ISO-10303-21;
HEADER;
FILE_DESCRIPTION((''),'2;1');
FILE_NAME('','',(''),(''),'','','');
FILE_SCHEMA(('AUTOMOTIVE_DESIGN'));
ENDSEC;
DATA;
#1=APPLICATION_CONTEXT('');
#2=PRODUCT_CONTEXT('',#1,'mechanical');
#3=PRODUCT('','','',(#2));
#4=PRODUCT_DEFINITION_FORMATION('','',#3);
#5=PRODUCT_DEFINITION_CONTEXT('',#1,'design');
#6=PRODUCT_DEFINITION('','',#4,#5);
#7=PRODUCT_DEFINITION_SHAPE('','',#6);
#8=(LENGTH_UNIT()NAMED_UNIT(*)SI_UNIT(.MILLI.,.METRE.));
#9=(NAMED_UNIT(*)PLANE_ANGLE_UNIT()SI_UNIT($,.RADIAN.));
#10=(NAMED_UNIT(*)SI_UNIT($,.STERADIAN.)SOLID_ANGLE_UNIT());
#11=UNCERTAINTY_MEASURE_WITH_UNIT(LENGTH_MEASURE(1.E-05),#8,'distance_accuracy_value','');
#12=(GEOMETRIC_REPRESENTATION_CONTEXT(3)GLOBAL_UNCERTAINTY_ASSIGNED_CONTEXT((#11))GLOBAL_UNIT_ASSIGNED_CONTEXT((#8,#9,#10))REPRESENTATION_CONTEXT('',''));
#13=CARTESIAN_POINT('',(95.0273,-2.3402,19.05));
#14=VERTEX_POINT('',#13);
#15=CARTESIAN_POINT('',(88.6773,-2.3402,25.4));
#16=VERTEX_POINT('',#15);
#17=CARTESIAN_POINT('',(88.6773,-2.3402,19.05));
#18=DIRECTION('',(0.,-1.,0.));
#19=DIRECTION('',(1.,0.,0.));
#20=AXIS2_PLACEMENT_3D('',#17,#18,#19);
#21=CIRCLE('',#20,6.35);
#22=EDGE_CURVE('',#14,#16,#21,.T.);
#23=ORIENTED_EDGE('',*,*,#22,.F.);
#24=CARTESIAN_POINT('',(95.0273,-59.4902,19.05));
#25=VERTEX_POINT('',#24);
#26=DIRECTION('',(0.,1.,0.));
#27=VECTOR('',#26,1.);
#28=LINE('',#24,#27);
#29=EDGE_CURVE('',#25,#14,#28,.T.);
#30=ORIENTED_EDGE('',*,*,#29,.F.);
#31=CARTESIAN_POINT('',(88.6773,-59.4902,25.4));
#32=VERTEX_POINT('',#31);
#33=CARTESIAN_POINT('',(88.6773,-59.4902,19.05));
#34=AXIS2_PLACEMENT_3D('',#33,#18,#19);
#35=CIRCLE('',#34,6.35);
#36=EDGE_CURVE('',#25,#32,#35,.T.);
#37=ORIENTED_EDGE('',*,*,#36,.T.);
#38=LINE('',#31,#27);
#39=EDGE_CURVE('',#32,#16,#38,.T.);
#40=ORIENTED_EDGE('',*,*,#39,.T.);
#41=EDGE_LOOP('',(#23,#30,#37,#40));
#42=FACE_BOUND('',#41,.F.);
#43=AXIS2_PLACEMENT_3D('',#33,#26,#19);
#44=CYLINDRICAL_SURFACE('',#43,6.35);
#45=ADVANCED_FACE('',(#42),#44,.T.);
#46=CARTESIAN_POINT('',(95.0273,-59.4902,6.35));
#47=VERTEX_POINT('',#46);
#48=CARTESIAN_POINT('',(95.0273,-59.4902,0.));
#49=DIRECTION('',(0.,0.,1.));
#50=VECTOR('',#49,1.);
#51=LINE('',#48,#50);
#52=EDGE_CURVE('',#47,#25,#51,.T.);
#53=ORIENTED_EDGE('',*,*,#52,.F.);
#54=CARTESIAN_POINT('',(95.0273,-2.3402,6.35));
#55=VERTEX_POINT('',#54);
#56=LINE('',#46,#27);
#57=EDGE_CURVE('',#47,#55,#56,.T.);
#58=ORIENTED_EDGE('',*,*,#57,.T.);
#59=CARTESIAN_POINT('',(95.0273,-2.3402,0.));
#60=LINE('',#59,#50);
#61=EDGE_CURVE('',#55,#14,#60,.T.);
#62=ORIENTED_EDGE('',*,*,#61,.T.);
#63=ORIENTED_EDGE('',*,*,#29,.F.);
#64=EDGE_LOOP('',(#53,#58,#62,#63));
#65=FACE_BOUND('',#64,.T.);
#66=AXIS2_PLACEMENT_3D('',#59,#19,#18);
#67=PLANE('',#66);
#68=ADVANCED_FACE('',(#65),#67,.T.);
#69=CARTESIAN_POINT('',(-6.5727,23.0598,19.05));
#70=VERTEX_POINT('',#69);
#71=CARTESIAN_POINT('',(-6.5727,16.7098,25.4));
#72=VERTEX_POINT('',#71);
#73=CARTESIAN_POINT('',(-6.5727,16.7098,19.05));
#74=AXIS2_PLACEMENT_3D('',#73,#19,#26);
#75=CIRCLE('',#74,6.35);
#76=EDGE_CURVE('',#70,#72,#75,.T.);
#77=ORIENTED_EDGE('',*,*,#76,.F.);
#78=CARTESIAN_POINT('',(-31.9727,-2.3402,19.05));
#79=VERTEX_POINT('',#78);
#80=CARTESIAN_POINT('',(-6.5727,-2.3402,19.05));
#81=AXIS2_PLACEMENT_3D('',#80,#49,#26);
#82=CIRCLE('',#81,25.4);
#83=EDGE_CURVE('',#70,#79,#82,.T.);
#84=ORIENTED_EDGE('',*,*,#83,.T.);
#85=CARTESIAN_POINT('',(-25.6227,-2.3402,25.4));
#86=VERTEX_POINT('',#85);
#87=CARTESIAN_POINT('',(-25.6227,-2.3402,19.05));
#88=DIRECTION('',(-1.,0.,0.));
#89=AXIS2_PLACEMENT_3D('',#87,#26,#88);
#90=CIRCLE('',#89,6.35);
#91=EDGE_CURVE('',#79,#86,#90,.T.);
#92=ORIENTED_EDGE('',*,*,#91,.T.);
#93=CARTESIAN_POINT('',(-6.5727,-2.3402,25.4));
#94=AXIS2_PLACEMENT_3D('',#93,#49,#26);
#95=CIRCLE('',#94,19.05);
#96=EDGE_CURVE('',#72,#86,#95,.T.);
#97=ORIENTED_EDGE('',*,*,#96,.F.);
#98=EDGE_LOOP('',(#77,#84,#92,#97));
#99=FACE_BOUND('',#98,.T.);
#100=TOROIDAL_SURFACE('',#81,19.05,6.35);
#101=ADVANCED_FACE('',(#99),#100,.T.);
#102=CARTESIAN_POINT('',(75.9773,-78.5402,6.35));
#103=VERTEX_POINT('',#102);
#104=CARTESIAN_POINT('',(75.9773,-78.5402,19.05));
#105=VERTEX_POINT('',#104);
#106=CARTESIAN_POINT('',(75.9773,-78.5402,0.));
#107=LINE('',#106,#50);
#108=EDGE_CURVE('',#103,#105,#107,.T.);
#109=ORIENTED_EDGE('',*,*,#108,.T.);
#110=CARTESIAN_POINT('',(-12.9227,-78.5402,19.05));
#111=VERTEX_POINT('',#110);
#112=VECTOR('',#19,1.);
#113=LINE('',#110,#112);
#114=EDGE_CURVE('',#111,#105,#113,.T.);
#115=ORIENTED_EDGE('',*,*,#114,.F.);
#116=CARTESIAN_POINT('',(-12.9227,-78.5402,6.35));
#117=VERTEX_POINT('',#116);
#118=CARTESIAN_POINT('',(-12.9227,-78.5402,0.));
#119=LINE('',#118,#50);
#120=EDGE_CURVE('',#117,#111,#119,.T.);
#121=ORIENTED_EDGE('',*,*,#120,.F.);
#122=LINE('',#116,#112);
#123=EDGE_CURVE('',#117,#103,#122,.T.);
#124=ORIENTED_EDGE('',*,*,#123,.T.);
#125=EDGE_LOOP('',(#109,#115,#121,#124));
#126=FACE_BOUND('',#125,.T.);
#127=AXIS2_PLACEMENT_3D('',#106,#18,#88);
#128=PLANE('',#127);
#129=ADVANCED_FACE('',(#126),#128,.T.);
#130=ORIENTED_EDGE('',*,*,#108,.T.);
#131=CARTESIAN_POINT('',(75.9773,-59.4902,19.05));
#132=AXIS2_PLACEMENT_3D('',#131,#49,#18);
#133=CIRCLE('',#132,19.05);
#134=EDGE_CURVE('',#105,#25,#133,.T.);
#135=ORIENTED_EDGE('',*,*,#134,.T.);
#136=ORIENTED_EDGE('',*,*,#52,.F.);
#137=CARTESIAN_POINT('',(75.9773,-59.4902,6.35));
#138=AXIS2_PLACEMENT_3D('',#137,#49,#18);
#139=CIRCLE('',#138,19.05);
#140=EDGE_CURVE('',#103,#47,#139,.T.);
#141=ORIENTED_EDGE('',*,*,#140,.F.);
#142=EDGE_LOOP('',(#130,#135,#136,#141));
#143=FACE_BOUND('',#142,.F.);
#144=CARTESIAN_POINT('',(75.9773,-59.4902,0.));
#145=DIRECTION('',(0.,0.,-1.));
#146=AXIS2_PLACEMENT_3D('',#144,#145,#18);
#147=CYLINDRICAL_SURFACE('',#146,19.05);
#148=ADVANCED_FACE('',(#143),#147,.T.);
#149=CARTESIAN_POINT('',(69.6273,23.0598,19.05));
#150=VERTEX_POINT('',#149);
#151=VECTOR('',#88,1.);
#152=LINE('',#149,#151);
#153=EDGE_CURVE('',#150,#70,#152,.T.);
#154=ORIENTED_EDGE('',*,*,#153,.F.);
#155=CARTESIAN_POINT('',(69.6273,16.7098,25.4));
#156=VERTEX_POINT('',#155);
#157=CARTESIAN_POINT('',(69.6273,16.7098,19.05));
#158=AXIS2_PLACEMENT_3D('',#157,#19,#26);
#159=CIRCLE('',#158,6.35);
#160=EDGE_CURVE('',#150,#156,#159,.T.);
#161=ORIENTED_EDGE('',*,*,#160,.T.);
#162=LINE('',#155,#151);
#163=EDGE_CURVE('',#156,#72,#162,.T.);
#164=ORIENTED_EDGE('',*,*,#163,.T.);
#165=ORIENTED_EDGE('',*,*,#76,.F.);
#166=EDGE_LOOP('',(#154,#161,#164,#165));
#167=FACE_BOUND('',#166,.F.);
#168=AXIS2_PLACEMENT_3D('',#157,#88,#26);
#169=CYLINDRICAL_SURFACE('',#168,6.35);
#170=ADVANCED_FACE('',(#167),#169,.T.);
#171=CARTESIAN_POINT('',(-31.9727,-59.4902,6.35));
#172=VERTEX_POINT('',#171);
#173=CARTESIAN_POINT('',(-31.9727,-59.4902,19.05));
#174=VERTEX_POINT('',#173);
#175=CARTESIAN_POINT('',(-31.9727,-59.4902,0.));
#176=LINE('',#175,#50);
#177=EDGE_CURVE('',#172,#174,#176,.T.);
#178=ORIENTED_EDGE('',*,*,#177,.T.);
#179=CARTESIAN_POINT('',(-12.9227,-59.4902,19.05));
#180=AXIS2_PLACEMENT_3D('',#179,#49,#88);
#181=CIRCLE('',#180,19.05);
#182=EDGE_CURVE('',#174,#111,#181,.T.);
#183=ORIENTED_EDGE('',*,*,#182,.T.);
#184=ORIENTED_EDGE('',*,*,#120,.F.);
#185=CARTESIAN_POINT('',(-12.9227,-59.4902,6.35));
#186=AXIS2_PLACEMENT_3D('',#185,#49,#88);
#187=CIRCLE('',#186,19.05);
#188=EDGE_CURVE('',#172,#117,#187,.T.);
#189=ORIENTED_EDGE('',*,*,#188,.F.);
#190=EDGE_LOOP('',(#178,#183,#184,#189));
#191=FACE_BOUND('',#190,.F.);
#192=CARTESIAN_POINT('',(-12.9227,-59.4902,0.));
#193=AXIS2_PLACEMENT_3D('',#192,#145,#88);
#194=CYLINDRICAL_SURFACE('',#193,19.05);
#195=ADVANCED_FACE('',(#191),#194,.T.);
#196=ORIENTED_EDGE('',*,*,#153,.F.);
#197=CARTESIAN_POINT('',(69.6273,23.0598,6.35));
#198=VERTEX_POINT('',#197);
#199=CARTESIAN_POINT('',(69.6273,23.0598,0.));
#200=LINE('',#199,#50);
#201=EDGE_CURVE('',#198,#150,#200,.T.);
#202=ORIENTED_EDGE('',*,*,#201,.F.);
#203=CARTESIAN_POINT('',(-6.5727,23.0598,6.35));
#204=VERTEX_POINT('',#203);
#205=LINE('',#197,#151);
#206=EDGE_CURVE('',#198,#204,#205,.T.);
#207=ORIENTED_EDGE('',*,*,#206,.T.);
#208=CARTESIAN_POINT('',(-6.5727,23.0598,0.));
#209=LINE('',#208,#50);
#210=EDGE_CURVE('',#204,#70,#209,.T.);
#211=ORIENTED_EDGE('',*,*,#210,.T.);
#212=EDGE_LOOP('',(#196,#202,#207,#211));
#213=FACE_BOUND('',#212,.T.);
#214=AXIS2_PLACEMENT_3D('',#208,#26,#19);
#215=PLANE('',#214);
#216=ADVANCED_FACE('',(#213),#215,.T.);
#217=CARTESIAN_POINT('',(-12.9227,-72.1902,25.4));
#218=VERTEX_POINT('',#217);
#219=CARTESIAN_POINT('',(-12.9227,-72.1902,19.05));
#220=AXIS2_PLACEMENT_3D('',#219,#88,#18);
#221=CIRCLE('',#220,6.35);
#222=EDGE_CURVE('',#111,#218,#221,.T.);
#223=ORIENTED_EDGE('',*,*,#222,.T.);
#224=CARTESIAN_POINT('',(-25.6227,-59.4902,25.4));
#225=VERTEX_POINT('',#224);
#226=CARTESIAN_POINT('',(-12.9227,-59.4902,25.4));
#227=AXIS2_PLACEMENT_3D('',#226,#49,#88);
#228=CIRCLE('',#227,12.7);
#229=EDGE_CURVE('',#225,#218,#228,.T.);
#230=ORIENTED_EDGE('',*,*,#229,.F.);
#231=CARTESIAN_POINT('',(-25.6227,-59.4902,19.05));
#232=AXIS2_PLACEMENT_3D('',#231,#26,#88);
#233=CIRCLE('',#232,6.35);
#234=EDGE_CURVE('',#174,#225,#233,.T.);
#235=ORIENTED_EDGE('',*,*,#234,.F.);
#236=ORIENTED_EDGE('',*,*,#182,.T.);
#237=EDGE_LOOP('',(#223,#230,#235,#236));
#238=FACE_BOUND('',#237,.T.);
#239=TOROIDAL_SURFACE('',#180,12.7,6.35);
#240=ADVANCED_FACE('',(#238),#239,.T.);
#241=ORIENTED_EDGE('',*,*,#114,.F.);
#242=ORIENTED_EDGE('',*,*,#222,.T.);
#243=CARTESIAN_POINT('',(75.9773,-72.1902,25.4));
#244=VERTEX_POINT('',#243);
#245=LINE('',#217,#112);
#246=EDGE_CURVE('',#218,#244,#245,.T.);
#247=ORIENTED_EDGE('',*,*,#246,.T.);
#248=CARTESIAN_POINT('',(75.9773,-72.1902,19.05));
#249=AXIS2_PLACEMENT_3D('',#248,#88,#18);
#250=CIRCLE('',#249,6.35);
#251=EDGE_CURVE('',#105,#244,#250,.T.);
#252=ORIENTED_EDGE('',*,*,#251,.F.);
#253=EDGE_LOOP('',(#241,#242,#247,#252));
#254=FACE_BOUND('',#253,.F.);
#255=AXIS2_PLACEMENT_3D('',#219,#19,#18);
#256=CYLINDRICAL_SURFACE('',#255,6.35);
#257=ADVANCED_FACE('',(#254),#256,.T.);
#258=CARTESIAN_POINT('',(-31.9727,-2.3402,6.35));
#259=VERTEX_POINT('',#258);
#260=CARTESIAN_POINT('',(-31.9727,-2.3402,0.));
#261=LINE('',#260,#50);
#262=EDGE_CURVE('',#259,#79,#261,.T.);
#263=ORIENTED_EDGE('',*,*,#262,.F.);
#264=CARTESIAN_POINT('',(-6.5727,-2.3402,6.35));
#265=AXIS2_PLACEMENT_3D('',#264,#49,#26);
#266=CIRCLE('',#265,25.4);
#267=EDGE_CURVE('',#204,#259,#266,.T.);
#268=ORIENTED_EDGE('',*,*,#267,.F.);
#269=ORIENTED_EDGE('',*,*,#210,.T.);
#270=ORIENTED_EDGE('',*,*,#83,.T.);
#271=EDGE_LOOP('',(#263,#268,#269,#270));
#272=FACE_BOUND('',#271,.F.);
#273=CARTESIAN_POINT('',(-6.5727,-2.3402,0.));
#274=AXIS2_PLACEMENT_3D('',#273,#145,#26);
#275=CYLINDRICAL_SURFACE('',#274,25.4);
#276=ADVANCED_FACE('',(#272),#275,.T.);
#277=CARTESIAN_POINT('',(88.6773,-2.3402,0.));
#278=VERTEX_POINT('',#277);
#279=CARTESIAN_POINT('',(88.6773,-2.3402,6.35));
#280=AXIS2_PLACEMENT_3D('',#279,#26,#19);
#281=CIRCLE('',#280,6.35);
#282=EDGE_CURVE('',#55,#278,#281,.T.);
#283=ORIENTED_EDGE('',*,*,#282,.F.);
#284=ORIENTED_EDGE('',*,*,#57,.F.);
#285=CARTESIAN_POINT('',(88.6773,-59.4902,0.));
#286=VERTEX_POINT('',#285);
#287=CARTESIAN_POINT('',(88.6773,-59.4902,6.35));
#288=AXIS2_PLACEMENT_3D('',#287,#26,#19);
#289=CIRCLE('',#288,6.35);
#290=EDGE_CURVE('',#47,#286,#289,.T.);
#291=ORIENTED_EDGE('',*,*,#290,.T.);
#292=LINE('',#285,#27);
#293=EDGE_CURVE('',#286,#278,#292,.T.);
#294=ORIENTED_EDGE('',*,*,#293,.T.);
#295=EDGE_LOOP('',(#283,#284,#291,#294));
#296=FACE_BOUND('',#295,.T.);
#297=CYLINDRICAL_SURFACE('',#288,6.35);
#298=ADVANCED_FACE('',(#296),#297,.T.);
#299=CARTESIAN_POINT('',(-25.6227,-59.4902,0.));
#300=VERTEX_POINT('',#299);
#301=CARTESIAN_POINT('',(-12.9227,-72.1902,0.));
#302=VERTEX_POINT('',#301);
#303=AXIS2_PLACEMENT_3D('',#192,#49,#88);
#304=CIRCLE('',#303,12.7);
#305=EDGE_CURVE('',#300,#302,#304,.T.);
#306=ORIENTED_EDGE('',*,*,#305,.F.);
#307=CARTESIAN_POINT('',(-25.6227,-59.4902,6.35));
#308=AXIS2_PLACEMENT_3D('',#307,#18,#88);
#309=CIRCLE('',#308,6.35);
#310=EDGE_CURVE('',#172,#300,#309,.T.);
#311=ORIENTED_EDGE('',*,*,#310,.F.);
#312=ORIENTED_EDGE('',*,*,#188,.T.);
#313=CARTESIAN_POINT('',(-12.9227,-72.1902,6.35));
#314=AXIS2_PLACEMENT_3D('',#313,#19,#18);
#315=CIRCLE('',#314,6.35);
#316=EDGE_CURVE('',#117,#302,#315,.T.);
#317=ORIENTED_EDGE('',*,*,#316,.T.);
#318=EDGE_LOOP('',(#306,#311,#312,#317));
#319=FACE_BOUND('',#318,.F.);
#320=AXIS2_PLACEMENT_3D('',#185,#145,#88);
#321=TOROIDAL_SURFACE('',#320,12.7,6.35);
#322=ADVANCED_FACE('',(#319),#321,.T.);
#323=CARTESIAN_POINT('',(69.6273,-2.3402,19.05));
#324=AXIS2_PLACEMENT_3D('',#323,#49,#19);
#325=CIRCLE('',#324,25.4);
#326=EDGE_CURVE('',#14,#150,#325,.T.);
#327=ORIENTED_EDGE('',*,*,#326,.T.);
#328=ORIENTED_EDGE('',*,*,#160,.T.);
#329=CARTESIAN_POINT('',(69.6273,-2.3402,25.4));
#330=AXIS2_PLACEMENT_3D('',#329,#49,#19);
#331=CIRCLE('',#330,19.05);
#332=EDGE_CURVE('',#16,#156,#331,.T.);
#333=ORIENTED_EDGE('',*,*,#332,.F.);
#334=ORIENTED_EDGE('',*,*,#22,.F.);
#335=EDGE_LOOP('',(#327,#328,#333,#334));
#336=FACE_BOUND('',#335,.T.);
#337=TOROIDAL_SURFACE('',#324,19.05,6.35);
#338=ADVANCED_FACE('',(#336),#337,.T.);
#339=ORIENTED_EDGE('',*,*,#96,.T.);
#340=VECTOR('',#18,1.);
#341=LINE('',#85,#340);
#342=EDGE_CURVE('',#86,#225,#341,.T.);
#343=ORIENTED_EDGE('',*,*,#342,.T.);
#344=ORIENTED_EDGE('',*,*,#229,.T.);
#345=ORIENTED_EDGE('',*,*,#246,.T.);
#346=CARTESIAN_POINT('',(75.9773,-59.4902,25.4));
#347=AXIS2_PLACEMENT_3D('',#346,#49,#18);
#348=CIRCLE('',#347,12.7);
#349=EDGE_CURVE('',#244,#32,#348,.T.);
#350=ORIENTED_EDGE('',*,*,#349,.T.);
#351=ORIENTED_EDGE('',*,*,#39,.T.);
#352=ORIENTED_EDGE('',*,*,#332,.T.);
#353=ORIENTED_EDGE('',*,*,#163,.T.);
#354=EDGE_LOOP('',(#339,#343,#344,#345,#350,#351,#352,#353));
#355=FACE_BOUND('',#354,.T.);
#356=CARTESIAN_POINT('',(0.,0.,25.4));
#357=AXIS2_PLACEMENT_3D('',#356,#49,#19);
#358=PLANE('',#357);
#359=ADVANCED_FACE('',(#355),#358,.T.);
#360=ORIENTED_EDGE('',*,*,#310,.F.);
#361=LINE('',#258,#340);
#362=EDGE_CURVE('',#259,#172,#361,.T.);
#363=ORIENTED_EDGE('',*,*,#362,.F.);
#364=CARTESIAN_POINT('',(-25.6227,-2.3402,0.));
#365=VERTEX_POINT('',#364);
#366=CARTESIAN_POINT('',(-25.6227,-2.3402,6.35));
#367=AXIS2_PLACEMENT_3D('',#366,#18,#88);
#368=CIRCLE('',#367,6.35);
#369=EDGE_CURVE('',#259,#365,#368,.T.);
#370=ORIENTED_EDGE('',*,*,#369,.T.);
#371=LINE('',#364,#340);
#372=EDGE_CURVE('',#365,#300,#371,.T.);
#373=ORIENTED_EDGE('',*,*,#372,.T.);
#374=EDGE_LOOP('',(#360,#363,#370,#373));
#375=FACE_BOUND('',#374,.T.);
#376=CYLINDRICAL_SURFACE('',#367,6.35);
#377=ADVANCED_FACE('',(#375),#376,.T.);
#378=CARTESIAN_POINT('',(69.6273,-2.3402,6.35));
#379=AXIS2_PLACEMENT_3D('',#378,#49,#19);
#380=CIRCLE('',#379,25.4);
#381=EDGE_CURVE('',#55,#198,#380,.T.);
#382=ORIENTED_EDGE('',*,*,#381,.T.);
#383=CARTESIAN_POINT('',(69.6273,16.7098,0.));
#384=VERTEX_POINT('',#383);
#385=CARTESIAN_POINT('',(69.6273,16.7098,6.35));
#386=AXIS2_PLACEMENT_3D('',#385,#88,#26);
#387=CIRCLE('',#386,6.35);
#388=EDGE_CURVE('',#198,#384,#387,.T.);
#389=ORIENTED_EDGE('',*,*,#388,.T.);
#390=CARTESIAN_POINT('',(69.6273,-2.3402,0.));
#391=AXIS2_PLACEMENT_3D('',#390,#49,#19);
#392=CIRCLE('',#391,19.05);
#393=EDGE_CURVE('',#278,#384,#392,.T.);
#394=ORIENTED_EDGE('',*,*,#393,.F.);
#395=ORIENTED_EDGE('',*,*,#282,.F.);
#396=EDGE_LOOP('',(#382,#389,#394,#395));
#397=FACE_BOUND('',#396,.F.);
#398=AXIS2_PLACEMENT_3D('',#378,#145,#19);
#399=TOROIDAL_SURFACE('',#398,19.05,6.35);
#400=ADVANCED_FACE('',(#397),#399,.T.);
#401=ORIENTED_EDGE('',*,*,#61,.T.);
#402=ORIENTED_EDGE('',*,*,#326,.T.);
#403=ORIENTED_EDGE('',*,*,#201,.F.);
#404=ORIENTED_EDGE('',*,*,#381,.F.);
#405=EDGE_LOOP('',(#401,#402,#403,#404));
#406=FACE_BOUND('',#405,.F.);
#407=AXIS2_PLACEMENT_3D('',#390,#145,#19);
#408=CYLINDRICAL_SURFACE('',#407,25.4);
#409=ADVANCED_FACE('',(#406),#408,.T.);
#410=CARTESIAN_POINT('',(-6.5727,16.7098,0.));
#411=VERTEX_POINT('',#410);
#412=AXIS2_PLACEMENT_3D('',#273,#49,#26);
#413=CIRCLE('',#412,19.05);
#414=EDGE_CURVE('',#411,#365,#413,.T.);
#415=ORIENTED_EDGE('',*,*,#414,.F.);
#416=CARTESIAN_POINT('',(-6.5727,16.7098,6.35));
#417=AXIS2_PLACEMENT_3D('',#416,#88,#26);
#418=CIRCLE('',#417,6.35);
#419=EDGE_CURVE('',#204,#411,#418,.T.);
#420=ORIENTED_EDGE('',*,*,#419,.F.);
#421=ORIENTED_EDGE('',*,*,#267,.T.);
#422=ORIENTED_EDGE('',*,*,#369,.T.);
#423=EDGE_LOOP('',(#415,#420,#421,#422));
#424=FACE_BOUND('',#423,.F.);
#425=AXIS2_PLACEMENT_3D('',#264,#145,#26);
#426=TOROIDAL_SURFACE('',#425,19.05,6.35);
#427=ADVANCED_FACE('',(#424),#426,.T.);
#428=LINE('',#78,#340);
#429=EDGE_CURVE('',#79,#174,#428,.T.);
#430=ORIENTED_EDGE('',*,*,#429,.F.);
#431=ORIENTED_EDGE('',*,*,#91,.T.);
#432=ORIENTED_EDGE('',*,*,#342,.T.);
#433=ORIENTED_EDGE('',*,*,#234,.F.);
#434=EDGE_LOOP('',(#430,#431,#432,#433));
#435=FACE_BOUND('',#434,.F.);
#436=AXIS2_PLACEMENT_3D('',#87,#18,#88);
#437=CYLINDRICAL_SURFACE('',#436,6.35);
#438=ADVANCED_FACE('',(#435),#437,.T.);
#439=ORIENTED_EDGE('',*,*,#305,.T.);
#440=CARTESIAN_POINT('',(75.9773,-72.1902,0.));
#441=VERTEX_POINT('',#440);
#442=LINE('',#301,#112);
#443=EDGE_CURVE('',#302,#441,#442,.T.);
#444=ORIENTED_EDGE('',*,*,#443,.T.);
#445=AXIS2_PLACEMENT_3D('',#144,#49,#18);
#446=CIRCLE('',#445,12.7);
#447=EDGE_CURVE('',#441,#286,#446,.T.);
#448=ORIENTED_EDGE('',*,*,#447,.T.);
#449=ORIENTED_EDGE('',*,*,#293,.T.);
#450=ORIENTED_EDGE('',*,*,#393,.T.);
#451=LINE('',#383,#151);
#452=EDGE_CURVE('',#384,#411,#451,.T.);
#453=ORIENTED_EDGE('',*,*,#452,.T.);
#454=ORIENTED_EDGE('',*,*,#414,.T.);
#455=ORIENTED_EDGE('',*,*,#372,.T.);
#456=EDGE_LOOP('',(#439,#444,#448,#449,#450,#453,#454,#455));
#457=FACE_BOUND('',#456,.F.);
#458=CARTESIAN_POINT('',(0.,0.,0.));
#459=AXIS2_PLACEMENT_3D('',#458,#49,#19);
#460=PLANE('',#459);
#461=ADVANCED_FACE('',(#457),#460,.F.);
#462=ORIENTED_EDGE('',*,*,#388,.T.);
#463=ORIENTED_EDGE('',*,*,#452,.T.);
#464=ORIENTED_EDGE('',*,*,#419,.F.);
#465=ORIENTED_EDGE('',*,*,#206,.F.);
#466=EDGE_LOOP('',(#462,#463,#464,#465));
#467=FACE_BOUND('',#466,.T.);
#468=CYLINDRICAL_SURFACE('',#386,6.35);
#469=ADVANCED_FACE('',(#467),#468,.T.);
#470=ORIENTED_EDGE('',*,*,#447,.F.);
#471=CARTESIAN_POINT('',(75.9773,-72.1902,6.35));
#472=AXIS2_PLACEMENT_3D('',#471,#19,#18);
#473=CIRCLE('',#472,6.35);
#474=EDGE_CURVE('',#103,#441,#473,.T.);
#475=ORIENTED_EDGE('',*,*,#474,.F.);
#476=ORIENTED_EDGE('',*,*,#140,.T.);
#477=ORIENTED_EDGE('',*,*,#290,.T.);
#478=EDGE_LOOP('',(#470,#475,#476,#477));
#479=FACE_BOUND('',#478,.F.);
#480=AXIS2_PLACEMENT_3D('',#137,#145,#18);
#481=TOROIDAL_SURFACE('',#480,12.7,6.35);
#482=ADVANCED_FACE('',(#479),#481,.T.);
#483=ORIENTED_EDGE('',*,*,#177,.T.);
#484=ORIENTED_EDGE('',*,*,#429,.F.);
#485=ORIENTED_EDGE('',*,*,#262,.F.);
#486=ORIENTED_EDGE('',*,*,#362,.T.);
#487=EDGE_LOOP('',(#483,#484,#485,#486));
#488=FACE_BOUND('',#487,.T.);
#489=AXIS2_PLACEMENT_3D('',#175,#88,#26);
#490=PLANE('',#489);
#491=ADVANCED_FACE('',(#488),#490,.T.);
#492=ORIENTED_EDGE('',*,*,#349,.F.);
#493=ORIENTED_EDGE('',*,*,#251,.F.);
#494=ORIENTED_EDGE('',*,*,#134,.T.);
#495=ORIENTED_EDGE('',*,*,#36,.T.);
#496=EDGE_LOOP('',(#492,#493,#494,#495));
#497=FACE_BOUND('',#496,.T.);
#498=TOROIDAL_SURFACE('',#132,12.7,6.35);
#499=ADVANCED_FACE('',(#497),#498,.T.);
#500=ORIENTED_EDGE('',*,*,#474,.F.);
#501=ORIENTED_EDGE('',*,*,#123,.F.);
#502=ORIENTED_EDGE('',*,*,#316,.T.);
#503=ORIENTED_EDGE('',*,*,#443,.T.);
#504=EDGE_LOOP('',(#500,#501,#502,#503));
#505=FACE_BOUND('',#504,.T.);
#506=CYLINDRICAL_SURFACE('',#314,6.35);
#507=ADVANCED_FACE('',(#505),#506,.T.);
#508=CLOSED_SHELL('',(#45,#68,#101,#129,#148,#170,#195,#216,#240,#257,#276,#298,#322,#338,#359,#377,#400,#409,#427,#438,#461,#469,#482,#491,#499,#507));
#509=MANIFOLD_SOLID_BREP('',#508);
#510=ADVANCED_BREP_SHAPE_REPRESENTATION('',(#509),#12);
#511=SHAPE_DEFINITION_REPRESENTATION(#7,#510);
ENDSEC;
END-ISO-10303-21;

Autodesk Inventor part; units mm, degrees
ref_plane "YZ Plane" through (0, 0, 0) normal (1, 0, 0) x (0, 1, 0)
ref_plane "XZ Plane" through (0, 0, 0) normal (0, 1, 0) x (-1, 0, 0)
ref_plane "XY Plane" through (0, 0, 0) normal (0, 0, 1) x (1, 0, 0)
sketch "Sketch1" plane through (0, 0, 0) normal (0, 0, 1) x (1, 0, 0)
  line L0 (-6.5727, 23.0598) -> (69.6273, 23.0598)
  line L1 (95.0273, -2.3402) -> (95.0273, -59.4902)
  line L2 (75.9773, -78.5402) -> (-12.9227, -78.5402)
  line L3 (-31.9727, -59.4902) -> (-31.9727, -2.3402)
  arc A0 (-6.5727, 23.0598) -> (-31.9727, -2.3402) centre (-6.5727, -2.3402) ccw
  arc A1 (95.0273, -2.3402) -> (69.6273, 23.0598) centre (69.6273, -2.3402) ccw
  arc A2 (-31.9727, -59.4902) -> (-12.9227, -78.5402) centre (-12.9227, -59.4902) ccw
  arc A3 (75.9773, -78.5402) -> (95.0273, -59.4902) centre (75.9773, -59.4902) ccw
  point P0 (0, 0)
  point P1 (-31.9727, 23.0598)
  point P2 (95.0273, 23.0598)
  point P3 (-31.9727, -78.5402)
  dimension "d0" = 127
  dimension "d1" = 101.6
  dimension "d2" = 25.4
  dimension "d3" = 19.05
extrude "Extrusion1" add sketch "Sketch1" along normal blind 25.4
fillet "Fillet1" radius 6.35 16 edges at (-26.3931, -72.9606, 25.4) (-31.9727, -30.9152, 25.4) (-24.5332, 15.6203, 25.4) (31.5273, 23.0598, 25.4) (87.5878, 15.6203, 25.4) (95.0273, -30.9152, 25.4) (89.4477, -72.9606, 25.4) (31.5273, -78.5402, 25.4) (89.4477, -72.9606, 0) (95.0273, -30.9152, 0) (87.5878, 15.6203, 0) (31.5273, 23.0598, 0) (-24.5332, 15.6203, 0) (-31.9727, -30.9152, 0) (-26.3931, -72.9606, 0) (31.5273, -78.5402, 0)
properties part number "router"
